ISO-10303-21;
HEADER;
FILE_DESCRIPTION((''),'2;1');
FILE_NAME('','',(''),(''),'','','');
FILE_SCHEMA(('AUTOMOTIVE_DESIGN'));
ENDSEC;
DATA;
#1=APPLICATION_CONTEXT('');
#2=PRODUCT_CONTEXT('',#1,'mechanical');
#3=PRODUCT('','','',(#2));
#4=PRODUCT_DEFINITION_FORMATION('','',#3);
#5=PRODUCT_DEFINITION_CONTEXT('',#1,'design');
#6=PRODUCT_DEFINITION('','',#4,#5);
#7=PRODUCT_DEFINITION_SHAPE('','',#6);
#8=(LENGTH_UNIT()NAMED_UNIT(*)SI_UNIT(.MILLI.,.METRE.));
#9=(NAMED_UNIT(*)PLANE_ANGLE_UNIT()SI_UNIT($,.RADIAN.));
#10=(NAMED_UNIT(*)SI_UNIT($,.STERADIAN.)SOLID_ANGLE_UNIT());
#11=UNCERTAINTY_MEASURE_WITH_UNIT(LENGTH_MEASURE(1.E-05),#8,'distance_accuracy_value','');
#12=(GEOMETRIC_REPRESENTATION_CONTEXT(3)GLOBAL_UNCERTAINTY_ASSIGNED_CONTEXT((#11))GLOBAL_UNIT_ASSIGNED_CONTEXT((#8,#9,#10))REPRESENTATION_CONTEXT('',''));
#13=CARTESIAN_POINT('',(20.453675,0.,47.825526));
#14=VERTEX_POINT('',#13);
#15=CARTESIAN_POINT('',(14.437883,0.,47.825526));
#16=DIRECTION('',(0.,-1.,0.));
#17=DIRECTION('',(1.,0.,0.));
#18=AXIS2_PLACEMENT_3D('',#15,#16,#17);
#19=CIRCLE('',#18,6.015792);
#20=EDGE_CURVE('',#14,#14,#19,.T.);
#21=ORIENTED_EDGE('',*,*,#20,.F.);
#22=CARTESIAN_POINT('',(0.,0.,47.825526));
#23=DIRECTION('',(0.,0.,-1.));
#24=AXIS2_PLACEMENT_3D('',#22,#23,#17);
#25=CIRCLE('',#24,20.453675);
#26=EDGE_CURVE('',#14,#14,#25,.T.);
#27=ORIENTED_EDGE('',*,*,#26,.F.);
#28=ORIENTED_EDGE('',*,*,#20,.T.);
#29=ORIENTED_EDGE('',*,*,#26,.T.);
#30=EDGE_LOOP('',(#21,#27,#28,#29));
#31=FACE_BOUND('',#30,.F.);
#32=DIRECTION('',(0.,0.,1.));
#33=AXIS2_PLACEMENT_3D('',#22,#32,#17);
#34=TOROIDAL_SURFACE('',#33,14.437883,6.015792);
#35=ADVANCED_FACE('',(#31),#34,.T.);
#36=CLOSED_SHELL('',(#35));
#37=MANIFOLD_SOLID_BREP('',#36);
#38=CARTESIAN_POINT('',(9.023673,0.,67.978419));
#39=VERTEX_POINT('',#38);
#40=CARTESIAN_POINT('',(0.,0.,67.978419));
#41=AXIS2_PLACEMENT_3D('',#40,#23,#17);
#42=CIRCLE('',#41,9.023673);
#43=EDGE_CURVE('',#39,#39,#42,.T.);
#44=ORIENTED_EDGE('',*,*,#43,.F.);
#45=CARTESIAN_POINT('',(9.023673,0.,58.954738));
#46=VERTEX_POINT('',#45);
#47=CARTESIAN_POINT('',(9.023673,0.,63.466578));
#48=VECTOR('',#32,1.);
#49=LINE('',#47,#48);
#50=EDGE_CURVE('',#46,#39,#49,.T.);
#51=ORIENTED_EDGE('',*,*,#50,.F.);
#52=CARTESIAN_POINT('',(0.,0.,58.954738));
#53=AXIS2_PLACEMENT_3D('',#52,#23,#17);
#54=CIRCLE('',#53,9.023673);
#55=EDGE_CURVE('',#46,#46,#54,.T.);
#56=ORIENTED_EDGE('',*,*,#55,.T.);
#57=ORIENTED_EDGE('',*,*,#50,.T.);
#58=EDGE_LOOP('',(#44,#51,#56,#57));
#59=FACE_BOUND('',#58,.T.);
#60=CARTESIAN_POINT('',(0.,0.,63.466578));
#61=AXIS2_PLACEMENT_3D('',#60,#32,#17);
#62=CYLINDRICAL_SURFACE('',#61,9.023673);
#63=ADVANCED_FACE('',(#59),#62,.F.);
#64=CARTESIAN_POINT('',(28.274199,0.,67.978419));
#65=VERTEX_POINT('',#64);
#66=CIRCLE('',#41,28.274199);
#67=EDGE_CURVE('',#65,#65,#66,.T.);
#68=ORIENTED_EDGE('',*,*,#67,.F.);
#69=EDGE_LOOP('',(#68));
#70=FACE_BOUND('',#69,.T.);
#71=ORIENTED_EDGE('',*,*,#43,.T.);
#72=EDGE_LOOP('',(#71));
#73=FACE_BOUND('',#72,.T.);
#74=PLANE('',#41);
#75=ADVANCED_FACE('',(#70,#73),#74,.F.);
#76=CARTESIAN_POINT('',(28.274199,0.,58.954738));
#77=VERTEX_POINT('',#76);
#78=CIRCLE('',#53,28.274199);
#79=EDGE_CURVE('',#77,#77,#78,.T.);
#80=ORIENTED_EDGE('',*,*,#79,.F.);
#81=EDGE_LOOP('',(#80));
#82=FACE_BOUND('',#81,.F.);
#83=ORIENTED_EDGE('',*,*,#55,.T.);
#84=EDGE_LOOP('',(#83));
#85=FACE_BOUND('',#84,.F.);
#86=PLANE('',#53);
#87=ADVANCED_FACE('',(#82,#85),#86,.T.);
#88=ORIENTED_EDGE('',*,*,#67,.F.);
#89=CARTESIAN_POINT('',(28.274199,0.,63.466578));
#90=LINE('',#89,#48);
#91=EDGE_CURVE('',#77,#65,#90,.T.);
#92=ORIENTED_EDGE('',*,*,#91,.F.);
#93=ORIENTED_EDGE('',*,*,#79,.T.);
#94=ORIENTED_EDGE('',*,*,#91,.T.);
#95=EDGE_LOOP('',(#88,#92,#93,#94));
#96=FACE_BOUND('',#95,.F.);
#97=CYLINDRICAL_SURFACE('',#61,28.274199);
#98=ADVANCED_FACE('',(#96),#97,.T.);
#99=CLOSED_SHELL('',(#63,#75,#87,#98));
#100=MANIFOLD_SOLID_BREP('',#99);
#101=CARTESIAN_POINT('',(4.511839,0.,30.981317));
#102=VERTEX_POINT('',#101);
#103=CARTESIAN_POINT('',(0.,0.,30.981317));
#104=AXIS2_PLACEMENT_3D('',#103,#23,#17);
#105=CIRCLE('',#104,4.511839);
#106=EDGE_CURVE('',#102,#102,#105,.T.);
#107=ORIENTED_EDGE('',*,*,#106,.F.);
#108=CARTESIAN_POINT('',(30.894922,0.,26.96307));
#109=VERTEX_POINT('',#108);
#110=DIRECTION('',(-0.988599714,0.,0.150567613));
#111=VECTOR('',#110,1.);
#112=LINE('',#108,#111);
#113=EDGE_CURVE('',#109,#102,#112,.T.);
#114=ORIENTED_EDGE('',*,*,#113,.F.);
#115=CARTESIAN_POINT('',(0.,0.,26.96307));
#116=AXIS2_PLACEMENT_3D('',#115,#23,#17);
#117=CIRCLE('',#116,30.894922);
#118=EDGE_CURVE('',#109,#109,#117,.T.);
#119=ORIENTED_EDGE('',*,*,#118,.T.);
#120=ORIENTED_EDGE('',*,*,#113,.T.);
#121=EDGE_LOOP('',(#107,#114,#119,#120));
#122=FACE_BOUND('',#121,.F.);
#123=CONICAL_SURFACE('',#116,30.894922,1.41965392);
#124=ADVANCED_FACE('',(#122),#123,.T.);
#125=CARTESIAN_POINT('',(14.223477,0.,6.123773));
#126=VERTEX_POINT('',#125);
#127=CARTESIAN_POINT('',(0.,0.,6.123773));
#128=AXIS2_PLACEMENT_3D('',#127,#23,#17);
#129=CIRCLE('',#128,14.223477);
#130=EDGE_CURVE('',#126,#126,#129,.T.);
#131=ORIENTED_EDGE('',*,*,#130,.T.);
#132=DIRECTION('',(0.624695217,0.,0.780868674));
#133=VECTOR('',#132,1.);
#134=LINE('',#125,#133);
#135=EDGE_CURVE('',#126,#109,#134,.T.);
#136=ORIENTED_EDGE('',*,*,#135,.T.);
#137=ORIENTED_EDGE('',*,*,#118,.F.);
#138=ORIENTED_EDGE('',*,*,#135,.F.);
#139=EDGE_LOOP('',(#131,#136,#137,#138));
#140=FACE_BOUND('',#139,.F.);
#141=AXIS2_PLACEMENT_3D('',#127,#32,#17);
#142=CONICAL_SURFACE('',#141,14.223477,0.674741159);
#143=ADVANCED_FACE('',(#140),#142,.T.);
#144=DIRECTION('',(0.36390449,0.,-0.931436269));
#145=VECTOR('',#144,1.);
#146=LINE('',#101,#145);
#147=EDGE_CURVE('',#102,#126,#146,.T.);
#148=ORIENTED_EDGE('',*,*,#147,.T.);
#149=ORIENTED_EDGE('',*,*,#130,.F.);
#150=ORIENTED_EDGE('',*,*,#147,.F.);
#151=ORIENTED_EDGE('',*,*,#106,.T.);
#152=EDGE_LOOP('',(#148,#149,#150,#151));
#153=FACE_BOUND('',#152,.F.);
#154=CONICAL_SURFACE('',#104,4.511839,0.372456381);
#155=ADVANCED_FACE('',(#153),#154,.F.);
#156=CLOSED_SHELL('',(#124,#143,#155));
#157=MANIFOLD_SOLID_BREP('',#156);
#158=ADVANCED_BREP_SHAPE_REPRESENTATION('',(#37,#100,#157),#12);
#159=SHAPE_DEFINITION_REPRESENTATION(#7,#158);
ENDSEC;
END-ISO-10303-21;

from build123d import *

# Parameters (mm, degrees)
F0_W = 19.250525
F0_H = 9.023681
F0_R = 6.015792


with BuildPart() as f1:
    # F0 (on Front) → F1 (revolve)
    with BuildSketch(Plane.XZ):
        with Locations((18.648936, 63.466578)):
            Rectangle(F0_W, F0_H)
        with Locations((14.437883, 47.825526)):
            Circle(F0_R)
        Polygon((14.223477, 6.123773), (30.894922, 26.96307), (4.511839, 30.981317), align=None)
    revolve(axis=Axis((0, 0, 37.598684), (0, 0, -1)))


solid = f1.part
